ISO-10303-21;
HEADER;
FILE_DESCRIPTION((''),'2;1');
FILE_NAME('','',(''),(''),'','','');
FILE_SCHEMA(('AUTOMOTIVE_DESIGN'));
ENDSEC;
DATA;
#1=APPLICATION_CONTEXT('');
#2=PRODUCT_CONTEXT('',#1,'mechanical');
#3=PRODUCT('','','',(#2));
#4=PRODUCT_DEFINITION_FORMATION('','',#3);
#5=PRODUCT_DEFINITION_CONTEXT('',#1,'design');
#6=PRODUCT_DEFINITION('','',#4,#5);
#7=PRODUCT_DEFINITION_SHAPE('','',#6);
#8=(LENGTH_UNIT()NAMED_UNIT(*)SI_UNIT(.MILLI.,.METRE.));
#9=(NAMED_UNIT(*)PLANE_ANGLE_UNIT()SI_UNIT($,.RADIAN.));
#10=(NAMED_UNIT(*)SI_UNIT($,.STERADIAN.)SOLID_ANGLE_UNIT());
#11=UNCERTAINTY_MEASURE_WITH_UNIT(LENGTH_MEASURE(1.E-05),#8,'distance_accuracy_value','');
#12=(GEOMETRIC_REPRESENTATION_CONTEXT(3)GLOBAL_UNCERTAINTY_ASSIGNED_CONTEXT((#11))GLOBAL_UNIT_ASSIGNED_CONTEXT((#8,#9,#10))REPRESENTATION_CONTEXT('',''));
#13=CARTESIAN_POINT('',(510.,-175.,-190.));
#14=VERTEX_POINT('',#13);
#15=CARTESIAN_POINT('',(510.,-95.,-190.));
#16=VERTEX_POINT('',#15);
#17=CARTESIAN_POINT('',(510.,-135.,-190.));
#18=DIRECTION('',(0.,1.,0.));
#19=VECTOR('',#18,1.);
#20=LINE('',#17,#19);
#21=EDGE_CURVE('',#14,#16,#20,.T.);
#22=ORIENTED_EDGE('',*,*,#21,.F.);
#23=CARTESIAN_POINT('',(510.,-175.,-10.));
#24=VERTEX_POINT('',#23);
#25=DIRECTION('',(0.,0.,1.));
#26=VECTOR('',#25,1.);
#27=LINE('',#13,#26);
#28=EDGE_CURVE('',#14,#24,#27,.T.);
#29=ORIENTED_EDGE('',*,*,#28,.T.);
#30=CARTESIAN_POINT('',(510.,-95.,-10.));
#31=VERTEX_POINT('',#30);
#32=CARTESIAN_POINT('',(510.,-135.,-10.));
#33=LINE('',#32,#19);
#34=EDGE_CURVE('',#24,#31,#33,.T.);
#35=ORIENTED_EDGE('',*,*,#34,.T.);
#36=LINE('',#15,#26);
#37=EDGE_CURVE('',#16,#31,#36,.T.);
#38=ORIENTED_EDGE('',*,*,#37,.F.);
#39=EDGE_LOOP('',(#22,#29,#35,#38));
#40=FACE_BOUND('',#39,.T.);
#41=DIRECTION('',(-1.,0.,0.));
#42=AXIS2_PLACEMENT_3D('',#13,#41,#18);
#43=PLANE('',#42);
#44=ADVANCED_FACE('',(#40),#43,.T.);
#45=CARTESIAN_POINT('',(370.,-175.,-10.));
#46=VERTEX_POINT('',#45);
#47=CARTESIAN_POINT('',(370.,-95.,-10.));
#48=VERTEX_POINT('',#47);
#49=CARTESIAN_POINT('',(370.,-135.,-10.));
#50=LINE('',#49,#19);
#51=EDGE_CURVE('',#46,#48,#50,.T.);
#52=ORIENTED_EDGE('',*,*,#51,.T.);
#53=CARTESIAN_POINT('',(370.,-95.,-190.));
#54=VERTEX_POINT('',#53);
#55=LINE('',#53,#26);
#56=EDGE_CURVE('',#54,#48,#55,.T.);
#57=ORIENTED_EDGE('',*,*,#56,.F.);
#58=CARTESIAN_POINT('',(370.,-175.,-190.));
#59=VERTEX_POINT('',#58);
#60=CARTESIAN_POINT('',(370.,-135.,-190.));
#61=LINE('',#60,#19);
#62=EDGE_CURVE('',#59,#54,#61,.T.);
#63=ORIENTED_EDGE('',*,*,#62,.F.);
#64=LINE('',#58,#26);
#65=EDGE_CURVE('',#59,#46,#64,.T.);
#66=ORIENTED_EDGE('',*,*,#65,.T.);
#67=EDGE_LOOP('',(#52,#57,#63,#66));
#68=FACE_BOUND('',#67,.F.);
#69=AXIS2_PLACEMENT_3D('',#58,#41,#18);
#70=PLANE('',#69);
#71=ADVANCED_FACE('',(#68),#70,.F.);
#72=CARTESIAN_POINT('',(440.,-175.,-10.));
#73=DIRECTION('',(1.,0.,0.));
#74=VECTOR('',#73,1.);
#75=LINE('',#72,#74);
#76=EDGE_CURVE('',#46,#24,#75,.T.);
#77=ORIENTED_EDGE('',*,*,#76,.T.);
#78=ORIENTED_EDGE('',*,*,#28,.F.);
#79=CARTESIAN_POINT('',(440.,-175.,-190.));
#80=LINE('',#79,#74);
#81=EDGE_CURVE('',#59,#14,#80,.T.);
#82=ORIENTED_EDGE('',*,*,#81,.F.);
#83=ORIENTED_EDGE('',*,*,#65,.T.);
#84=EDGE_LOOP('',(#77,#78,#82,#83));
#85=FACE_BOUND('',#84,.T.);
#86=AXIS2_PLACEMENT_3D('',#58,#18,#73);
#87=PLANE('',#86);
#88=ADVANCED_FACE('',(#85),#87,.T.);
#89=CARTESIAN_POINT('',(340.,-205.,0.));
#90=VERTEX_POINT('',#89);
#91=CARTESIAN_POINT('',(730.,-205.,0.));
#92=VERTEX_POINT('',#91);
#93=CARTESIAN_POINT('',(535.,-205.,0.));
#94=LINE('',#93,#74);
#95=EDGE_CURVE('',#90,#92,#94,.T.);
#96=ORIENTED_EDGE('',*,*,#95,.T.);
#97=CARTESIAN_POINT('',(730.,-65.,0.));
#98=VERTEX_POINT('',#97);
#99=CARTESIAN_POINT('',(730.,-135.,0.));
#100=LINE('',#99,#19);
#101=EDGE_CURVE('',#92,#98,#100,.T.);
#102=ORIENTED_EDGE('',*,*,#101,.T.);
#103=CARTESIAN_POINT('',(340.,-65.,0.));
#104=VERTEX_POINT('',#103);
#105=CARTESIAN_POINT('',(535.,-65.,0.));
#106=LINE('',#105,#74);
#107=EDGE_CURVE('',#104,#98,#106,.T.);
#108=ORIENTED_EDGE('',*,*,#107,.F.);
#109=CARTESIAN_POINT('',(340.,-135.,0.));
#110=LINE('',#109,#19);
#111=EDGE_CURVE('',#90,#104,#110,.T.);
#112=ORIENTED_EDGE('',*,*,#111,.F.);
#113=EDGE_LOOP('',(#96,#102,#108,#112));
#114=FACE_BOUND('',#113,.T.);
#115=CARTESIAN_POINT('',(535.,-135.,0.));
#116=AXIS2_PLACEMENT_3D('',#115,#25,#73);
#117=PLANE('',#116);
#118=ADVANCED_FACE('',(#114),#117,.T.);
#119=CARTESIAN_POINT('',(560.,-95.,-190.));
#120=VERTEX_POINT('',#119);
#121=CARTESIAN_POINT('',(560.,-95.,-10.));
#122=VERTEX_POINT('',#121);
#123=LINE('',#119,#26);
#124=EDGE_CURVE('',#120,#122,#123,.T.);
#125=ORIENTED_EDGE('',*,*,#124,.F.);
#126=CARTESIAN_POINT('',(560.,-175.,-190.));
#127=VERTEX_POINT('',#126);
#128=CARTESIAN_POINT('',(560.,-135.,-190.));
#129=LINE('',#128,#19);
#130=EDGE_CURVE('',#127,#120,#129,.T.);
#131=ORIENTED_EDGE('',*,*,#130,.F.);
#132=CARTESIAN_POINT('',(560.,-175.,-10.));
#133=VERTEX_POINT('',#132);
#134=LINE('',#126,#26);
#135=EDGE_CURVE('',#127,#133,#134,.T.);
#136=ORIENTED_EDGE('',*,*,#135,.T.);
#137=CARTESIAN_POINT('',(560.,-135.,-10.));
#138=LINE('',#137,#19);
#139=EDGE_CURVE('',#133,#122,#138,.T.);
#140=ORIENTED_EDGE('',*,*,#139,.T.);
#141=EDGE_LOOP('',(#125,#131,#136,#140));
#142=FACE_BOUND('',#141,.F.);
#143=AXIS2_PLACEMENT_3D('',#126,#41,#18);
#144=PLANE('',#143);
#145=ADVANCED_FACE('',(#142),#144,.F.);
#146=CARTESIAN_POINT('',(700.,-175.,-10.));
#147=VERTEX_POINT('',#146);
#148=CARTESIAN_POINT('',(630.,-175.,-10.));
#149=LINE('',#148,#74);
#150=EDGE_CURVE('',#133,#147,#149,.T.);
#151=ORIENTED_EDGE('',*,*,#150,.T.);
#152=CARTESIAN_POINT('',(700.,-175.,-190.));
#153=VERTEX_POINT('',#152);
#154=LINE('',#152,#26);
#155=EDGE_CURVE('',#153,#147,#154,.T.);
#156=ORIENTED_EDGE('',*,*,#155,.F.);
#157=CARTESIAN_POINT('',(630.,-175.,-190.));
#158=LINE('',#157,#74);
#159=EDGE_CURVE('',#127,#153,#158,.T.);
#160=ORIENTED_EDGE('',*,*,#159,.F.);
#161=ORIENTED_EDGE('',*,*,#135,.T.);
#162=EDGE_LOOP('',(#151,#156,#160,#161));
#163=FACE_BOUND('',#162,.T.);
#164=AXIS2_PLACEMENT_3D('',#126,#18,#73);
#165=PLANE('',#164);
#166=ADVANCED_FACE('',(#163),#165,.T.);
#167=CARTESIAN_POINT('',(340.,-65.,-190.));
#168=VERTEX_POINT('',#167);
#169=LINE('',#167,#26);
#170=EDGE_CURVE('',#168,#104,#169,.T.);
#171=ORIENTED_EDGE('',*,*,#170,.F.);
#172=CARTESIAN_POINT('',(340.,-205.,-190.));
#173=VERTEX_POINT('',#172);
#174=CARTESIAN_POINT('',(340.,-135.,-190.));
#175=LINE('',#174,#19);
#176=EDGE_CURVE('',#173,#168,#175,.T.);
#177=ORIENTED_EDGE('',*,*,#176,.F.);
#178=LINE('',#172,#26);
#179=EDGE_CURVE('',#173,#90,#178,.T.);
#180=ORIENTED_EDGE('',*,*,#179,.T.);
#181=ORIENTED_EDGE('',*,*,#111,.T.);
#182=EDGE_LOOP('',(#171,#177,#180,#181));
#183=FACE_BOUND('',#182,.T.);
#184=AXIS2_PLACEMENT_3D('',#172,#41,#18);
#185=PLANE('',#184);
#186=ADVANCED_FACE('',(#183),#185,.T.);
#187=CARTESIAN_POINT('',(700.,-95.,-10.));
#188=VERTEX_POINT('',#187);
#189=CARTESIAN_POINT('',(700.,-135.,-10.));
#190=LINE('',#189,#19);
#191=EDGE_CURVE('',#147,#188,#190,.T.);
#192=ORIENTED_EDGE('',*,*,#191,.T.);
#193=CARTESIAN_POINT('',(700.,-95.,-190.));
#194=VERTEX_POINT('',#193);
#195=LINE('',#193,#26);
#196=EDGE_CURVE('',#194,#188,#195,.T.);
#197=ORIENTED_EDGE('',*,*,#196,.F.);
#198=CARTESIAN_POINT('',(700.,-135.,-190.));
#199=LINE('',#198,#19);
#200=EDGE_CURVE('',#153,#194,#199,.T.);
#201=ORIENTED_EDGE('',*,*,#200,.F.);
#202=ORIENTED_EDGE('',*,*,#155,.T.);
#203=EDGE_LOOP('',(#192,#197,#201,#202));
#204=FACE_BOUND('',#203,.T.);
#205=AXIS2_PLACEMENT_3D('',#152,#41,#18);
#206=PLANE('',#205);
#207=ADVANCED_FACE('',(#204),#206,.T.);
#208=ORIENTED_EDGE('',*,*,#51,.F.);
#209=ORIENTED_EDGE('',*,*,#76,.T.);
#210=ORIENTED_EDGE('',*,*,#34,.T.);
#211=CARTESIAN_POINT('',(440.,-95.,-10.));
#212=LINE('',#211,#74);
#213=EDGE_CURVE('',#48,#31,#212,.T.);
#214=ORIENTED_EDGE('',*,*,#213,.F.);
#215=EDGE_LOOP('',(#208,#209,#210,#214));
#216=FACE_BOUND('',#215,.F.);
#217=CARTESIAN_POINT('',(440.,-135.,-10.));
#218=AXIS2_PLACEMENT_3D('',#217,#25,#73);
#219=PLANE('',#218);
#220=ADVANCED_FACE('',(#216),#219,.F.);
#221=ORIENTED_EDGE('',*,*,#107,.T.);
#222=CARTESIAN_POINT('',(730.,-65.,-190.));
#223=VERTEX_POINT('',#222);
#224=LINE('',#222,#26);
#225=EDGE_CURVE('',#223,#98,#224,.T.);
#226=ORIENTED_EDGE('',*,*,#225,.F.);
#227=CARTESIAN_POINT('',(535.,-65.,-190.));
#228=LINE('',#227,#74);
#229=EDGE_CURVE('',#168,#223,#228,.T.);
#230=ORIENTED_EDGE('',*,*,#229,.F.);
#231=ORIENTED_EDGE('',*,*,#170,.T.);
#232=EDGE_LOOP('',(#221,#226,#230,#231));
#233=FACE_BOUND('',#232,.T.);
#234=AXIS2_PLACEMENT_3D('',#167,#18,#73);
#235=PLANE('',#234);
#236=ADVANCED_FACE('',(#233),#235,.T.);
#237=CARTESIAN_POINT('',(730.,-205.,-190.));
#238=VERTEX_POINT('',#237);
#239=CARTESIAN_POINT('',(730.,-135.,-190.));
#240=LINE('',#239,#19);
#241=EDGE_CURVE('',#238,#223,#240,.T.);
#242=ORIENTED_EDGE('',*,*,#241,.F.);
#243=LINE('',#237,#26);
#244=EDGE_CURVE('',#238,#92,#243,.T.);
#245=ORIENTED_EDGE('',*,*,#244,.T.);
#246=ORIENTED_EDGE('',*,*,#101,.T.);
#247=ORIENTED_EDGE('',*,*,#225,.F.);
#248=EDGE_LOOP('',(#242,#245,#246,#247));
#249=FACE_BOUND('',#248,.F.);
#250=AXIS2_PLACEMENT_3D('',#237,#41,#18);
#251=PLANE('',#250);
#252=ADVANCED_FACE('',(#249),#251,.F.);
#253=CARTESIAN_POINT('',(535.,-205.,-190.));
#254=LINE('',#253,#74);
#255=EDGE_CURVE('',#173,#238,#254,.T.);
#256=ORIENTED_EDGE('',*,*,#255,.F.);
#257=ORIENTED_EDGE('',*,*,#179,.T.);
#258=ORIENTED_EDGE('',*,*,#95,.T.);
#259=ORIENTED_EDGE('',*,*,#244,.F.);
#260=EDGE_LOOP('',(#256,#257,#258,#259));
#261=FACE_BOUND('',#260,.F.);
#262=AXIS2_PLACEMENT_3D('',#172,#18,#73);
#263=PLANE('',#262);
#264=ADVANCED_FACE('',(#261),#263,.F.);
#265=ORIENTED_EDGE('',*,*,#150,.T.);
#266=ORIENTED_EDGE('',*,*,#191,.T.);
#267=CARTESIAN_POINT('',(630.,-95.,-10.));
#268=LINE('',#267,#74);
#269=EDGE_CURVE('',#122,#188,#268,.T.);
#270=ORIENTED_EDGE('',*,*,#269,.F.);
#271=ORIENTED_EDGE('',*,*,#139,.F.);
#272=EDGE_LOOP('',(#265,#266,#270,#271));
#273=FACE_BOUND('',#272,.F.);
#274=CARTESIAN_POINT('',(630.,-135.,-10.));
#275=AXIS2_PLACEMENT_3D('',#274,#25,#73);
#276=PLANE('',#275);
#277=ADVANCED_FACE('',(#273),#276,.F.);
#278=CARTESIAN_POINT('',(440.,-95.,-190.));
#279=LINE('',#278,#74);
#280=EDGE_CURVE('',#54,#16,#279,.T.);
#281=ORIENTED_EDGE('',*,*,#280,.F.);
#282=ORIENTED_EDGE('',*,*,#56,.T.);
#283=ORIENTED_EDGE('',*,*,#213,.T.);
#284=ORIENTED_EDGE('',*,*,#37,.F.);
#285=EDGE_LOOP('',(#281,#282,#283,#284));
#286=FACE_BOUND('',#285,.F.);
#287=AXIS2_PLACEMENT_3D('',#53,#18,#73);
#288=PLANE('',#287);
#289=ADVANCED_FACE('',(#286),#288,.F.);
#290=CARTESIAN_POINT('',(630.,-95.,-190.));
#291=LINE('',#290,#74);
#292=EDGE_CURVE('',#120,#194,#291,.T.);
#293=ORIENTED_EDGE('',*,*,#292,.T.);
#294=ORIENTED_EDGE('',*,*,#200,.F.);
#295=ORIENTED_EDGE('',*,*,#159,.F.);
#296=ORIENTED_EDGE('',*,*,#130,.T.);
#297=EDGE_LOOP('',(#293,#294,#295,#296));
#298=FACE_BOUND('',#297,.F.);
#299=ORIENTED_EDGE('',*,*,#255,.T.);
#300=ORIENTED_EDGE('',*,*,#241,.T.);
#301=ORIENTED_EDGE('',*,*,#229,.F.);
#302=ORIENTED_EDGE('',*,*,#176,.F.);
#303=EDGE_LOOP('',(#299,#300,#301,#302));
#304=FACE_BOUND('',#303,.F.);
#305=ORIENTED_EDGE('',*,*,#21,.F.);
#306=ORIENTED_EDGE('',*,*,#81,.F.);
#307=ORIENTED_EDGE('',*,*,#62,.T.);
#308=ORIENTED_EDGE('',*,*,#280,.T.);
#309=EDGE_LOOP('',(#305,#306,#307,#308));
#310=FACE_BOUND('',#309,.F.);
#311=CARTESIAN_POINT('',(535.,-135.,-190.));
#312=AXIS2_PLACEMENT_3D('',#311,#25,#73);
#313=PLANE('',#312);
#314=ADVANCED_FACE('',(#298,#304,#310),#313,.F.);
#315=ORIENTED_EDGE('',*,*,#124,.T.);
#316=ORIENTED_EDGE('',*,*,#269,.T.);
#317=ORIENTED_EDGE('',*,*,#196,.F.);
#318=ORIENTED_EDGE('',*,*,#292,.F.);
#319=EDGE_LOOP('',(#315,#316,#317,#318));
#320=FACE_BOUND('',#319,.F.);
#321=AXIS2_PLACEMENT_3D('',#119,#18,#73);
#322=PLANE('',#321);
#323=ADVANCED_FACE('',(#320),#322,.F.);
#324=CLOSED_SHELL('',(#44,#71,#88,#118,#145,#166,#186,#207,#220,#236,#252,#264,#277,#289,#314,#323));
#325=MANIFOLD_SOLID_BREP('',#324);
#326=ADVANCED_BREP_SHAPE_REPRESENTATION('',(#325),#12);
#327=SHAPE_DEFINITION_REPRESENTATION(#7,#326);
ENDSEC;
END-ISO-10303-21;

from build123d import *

# Parameters (mm, degrees)
BOX108_W     = 140
BOX108_H     = 80
BOX108_DEPTH = 180
BOX109_W     = 140
BOX109_H     = 80
BOX109_DEPTH = 180
BOX107_W     = 390
BOX107_H     = 140
BOX107_DEPTH = 190


with BuildPart() as cube080:
    # Box108 → Box108 (new body)
    with BuildSketch(Plane(origin=(220, 30, 0), x_dir=(1, 0, 0), z_dir=(0, 0, 1))):
        with Locations((70, 40)):
            Rectangle(BOX108_W, BOX108_H)
    extrude(amount=BOX108_DEPTH)


with BuildPart() as fusion019:
    # Box109 → Box109 (new body)
    with BuildSketch(Plane(origin=(30, 30, 0), x_dir=(1, 0, 0), z_dir=(0, 0, 1))):
        with Locations((70, 40)):
            Rectangle(BOX109_W, BOX109_H)
    extrude(amount=BOX109_DEPTH)

    # Fusion019: union Cube080
    add(cube080.part)


with BuildPart() as cut014:
    # Box107 → Box107 (new body)
    with BuildSketch(Plane.XY):
        with Locations((195, 70)):
            Rectangle(BOX107_W, BOX107_H)
    extrude(amount=BOX107_DEPTH)

    # Cut014: cut Fusion019
    add(fusion019.part, mode=Mode.SUBTRACT)


with BuildPart() as cut014_1:
    # Cut014 placement: moved
    add(cut014.part.moved(Location((340, -205, -190))))


solid = cut014_1.part
